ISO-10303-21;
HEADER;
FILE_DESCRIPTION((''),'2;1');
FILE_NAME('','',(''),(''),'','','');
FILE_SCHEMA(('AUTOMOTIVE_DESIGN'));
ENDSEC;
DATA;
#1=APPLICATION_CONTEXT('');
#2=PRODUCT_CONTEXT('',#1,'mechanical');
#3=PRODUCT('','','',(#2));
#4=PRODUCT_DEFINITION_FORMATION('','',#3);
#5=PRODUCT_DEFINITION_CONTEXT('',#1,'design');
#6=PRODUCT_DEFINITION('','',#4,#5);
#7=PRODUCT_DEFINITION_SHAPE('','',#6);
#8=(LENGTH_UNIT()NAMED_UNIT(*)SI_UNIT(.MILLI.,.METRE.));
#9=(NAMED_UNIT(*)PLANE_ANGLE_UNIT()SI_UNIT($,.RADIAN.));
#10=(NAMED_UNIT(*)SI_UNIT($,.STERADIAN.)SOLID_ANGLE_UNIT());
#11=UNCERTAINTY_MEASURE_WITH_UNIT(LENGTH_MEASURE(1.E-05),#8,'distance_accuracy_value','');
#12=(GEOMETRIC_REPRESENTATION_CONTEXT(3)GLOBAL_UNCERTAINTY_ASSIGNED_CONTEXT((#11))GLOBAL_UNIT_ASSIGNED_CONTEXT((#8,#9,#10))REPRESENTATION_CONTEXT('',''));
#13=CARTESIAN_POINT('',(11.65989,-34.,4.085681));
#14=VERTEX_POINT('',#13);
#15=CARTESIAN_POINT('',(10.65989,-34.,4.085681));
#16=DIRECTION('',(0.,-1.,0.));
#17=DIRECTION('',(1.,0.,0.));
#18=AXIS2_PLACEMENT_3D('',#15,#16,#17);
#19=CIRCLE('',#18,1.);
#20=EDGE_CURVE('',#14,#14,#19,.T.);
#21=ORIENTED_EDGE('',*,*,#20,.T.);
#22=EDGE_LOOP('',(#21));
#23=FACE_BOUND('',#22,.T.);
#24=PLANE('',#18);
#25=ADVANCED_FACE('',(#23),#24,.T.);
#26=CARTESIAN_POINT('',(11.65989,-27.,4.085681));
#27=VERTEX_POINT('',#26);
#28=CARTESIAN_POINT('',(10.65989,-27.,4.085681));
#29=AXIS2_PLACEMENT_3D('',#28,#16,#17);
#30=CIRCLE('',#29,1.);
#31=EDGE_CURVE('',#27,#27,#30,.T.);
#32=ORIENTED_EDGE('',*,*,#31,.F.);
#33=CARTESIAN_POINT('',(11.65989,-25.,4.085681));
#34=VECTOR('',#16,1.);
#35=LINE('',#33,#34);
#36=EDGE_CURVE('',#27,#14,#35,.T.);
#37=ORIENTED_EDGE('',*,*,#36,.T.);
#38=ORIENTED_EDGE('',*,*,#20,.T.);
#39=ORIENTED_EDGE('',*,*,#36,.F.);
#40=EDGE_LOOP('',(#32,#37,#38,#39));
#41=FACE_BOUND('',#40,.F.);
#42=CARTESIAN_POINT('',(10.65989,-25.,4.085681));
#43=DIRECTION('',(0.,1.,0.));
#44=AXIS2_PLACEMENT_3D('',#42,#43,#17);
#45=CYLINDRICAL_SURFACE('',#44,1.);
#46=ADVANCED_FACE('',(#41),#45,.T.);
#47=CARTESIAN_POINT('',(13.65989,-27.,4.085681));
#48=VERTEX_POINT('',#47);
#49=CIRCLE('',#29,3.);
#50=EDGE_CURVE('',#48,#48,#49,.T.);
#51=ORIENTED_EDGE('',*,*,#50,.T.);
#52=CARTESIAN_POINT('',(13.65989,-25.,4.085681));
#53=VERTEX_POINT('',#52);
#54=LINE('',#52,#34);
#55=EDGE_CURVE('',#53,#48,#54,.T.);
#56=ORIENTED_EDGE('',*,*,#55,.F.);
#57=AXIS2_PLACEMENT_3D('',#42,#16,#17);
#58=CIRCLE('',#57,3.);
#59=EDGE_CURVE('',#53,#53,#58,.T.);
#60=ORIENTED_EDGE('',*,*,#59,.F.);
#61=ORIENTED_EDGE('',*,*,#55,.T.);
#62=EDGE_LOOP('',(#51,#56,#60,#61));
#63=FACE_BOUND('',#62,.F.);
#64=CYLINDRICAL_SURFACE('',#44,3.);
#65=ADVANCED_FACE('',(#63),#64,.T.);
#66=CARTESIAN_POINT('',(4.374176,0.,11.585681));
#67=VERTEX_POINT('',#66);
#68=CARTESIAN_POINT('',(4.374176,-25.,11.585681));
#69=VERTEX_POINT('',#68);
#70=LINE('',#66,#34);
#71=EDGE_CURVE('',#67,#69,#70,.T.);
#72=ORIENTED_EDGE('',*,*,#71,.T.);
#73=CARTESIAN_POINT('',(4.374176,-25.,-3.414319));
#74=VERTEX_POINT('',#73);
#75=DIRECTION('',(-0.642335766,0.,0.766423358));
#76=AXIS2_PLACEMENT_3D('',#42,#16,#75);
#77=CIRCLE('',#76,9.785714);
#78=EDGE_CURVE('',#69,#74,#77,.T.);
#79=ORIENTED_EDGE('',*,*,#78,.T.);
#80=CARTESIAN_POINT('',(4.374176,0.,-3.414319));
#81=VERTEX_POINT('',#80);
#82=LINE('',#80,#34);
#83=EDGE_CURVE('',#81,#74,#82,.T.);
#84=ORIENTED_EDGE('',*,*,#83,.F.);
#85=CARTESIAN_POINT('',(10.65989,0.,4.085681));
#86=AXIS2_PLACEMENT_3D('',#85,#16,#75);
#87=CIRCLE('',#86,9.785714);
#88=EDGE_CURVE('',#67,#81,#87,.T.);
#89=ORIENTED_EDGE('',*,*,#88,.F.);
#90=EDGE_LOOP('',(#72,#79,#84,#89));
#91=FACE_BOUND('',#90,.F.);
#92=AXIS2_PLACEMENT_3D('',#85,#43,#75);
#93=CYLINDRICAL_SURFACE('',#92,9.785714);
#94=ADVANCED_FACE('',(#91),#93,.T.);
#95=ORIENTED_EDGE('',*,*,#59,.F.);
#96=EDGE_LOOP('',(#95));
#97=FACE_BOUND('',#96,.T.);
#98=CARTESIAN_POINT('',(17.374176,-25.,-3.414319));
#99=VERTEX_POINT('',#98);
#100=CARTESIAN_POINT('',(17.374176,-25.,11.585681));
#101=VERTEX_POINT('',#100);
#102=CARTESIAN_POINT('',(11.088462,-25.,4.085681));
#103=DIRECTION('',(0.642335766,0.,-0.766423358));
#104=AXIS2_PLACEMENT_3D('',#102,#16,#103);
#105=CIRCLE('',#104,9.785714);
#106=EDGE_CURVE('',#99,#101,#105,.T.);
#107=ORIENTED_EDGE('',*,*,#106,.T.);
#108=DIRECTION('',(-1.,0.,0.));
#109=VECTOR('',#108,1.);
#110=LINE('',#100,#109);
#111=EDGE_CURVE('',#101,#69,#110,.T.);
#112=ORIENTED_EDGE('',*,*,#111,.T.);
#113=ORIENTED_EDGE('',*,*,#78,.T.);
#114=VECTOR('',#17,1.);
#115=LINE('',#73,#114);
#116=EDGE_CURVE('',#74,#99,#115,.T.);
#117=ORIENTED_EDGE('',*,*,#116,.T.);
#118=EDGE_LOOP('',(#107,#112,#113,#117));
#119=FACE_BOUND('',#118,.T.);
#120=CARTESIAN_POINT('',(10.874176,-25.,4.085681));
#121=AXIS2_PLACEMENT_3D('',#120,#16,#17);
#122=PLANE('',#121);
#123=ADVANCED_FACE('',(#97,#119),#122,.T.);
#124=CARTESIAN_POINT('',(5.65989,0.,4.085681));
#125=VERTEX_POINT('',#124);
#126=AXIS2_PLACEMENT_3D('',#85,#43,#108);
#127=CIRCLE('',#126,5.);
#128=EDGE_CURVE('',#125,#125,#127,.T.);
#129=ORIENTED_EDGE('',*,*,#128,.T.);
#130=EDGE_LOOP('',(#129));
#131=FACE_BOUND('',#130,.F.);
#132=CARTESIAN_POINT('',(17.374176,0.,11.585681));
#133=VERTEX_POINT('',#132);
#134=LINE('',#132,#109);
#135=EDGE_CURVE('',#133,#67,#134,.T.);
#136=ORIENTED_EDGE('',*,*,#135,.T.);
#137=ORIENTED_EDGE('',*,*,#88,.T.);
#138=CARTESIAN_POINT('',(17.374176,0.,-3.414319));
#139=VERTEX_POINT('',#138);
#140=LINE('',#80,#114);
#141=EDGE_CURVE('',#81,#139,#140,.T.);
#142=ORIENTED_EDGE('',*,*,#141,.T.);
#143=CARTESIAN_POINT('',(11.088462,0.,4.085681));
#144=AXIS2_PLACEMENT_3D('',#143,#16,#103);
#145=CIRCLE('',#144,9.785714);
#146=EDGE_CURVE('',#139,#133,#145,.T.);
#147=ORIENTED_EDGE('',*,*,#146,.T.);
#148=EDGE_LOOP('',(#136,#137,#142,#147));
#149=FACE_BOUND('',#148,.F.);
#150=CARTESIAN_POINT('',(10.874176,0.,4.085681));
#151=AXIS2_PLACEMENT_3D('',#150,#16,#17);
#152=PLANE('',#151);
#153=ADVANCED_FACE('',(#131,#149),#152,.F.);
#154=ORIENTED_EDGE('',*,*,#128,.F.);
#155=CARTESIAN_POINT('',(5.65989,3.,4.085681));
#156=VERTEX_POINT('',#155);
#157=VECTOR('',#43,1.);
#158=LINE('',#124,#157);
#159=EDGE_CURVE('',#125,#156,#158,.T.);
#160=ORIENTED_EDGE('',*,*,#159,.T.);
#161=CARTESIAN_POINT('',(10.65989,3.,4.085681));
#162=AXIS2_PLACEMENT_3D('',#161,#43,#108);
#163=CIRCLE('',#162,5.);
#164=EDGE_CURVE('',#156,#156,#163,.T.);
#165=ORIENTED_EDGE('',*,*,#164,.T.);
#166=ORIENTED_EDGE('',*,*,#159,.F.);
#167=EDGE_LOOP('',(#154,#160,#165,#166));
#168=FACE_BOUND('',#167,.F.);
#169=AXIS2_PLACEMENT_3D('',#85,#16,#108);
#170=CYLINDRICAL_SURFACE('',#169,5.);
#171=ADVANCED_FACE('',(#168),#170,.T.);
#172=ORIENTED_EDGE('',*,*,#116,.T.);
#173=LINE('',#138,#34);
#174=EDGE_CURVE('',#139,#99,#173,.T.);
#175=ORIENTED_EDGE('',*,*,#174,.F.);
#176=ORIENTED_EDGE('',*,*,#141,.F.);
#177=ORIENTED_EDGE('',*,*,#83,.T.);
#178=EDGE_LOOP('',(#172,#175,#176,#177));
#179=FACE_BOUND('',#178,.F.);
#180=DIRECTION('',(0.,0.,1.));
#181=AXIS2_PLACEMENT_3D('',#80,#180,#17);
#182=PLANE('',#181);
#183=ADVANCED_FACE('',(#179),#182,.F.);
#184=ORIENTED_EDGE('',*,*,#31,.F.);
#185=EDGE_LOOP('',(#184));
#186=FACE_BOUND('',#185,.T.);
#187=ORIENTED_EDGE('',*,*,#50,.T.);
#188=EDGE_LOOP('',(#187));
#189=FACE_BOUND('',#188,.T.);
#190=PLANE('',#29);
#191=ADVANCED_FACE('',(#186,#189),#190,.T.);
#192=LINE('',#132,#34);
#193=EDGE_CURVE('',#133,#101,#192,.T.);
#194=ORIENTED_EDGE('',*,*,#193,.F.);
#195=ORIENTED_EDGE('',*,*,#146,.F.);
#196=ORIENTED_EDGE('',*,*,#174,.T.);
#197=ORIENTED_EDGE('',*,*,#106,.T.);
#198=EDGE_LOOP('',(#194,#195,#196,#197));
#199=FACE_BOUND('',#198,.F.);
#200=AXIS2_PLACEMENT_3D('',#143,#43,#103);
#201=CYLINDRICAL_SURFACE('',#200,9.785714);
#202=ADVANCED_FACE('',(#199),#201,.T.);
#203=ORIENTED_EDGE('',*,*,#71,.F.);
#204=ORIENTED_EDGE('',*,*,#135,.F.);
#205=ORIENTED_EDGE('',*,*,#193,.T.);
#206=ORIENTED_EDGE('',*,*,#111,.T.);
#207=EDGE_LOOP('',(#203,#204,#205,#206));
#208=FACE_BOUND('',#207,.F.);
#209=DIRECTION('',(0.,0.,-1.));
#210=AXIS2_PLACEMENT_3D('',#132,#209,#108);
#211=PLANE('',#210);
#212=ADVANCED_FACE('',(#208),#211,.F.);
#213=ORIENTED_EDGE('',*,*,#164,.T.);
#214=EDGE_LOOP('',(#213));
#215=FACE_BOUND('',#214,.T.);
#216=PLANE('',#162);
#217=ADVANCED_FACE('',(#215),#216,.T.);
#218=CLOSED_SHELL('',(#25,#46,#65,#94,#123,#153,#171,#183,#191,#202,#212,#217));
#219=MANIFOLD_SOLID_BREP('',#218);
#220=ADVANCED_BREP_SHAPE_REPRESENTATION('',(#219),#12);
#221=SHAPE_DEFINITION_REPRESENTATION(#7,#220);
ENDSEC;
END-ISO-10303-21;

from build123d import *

# Parameters (mm, degrees)
F1_DEPTH = 25
F2_R     = 3
F2_R_2   = 1
F3_DEPTH = 2
F4_DEPTH = 9
F5_R     = 5
F6_DEPTH = 3


with BuildPart() as f1:
    # F0 (on Front) → F1 (new body)
    with BuildSketch(Plane.XZ):
        with BuildLine():
            Line((17.374176, 11.585681), (4.374176, 11.585681))
            ThreePointArc((4.374176, 11.585681), (0.874176, 4.085681), (4.374176, -3.414319))
            Line((4.374176, -3.414319), (17.374176, -3.414319))
            ThreePointArc((17.374176, -3.414319), (20.874176, 4.085681), (17.374176, 11.585681))
        make_face()
    extrude(amount=F1_DEPTH)

    # F2 (on face) → F3 (join)
    with BuildSketch(Plane.XZ.offset(25)):
        with Locations((10.65989, 4.085681)):
            Circle(F2_R)
        with Locations((10.65989, 4.085681)):
            Circle(F2_R_2, mode=Mode.SUBTRACT)
    extrude(amount=F3_DEPTH)

    # F2 (on face) → F4 (join)
    with BuildSketch(Plane.XZ.offset(25)):
        with Locations((10.65989, 4.085681)):
            Circle(F2_R_2)
    extrude(amount=F4_DEPTH)

    # F5 (on face) → F6 (join)
    with BuildSketch(Plane(origin=(0, 0, 0), x_dir=(-1, 0, 0), z_dir=(0, 1, 0))):
        with Locations((-10.65989, 4.085681)):
            Circle(F5_R)
    extrude(amount=F6_DEPTH)


solid = f1.part
